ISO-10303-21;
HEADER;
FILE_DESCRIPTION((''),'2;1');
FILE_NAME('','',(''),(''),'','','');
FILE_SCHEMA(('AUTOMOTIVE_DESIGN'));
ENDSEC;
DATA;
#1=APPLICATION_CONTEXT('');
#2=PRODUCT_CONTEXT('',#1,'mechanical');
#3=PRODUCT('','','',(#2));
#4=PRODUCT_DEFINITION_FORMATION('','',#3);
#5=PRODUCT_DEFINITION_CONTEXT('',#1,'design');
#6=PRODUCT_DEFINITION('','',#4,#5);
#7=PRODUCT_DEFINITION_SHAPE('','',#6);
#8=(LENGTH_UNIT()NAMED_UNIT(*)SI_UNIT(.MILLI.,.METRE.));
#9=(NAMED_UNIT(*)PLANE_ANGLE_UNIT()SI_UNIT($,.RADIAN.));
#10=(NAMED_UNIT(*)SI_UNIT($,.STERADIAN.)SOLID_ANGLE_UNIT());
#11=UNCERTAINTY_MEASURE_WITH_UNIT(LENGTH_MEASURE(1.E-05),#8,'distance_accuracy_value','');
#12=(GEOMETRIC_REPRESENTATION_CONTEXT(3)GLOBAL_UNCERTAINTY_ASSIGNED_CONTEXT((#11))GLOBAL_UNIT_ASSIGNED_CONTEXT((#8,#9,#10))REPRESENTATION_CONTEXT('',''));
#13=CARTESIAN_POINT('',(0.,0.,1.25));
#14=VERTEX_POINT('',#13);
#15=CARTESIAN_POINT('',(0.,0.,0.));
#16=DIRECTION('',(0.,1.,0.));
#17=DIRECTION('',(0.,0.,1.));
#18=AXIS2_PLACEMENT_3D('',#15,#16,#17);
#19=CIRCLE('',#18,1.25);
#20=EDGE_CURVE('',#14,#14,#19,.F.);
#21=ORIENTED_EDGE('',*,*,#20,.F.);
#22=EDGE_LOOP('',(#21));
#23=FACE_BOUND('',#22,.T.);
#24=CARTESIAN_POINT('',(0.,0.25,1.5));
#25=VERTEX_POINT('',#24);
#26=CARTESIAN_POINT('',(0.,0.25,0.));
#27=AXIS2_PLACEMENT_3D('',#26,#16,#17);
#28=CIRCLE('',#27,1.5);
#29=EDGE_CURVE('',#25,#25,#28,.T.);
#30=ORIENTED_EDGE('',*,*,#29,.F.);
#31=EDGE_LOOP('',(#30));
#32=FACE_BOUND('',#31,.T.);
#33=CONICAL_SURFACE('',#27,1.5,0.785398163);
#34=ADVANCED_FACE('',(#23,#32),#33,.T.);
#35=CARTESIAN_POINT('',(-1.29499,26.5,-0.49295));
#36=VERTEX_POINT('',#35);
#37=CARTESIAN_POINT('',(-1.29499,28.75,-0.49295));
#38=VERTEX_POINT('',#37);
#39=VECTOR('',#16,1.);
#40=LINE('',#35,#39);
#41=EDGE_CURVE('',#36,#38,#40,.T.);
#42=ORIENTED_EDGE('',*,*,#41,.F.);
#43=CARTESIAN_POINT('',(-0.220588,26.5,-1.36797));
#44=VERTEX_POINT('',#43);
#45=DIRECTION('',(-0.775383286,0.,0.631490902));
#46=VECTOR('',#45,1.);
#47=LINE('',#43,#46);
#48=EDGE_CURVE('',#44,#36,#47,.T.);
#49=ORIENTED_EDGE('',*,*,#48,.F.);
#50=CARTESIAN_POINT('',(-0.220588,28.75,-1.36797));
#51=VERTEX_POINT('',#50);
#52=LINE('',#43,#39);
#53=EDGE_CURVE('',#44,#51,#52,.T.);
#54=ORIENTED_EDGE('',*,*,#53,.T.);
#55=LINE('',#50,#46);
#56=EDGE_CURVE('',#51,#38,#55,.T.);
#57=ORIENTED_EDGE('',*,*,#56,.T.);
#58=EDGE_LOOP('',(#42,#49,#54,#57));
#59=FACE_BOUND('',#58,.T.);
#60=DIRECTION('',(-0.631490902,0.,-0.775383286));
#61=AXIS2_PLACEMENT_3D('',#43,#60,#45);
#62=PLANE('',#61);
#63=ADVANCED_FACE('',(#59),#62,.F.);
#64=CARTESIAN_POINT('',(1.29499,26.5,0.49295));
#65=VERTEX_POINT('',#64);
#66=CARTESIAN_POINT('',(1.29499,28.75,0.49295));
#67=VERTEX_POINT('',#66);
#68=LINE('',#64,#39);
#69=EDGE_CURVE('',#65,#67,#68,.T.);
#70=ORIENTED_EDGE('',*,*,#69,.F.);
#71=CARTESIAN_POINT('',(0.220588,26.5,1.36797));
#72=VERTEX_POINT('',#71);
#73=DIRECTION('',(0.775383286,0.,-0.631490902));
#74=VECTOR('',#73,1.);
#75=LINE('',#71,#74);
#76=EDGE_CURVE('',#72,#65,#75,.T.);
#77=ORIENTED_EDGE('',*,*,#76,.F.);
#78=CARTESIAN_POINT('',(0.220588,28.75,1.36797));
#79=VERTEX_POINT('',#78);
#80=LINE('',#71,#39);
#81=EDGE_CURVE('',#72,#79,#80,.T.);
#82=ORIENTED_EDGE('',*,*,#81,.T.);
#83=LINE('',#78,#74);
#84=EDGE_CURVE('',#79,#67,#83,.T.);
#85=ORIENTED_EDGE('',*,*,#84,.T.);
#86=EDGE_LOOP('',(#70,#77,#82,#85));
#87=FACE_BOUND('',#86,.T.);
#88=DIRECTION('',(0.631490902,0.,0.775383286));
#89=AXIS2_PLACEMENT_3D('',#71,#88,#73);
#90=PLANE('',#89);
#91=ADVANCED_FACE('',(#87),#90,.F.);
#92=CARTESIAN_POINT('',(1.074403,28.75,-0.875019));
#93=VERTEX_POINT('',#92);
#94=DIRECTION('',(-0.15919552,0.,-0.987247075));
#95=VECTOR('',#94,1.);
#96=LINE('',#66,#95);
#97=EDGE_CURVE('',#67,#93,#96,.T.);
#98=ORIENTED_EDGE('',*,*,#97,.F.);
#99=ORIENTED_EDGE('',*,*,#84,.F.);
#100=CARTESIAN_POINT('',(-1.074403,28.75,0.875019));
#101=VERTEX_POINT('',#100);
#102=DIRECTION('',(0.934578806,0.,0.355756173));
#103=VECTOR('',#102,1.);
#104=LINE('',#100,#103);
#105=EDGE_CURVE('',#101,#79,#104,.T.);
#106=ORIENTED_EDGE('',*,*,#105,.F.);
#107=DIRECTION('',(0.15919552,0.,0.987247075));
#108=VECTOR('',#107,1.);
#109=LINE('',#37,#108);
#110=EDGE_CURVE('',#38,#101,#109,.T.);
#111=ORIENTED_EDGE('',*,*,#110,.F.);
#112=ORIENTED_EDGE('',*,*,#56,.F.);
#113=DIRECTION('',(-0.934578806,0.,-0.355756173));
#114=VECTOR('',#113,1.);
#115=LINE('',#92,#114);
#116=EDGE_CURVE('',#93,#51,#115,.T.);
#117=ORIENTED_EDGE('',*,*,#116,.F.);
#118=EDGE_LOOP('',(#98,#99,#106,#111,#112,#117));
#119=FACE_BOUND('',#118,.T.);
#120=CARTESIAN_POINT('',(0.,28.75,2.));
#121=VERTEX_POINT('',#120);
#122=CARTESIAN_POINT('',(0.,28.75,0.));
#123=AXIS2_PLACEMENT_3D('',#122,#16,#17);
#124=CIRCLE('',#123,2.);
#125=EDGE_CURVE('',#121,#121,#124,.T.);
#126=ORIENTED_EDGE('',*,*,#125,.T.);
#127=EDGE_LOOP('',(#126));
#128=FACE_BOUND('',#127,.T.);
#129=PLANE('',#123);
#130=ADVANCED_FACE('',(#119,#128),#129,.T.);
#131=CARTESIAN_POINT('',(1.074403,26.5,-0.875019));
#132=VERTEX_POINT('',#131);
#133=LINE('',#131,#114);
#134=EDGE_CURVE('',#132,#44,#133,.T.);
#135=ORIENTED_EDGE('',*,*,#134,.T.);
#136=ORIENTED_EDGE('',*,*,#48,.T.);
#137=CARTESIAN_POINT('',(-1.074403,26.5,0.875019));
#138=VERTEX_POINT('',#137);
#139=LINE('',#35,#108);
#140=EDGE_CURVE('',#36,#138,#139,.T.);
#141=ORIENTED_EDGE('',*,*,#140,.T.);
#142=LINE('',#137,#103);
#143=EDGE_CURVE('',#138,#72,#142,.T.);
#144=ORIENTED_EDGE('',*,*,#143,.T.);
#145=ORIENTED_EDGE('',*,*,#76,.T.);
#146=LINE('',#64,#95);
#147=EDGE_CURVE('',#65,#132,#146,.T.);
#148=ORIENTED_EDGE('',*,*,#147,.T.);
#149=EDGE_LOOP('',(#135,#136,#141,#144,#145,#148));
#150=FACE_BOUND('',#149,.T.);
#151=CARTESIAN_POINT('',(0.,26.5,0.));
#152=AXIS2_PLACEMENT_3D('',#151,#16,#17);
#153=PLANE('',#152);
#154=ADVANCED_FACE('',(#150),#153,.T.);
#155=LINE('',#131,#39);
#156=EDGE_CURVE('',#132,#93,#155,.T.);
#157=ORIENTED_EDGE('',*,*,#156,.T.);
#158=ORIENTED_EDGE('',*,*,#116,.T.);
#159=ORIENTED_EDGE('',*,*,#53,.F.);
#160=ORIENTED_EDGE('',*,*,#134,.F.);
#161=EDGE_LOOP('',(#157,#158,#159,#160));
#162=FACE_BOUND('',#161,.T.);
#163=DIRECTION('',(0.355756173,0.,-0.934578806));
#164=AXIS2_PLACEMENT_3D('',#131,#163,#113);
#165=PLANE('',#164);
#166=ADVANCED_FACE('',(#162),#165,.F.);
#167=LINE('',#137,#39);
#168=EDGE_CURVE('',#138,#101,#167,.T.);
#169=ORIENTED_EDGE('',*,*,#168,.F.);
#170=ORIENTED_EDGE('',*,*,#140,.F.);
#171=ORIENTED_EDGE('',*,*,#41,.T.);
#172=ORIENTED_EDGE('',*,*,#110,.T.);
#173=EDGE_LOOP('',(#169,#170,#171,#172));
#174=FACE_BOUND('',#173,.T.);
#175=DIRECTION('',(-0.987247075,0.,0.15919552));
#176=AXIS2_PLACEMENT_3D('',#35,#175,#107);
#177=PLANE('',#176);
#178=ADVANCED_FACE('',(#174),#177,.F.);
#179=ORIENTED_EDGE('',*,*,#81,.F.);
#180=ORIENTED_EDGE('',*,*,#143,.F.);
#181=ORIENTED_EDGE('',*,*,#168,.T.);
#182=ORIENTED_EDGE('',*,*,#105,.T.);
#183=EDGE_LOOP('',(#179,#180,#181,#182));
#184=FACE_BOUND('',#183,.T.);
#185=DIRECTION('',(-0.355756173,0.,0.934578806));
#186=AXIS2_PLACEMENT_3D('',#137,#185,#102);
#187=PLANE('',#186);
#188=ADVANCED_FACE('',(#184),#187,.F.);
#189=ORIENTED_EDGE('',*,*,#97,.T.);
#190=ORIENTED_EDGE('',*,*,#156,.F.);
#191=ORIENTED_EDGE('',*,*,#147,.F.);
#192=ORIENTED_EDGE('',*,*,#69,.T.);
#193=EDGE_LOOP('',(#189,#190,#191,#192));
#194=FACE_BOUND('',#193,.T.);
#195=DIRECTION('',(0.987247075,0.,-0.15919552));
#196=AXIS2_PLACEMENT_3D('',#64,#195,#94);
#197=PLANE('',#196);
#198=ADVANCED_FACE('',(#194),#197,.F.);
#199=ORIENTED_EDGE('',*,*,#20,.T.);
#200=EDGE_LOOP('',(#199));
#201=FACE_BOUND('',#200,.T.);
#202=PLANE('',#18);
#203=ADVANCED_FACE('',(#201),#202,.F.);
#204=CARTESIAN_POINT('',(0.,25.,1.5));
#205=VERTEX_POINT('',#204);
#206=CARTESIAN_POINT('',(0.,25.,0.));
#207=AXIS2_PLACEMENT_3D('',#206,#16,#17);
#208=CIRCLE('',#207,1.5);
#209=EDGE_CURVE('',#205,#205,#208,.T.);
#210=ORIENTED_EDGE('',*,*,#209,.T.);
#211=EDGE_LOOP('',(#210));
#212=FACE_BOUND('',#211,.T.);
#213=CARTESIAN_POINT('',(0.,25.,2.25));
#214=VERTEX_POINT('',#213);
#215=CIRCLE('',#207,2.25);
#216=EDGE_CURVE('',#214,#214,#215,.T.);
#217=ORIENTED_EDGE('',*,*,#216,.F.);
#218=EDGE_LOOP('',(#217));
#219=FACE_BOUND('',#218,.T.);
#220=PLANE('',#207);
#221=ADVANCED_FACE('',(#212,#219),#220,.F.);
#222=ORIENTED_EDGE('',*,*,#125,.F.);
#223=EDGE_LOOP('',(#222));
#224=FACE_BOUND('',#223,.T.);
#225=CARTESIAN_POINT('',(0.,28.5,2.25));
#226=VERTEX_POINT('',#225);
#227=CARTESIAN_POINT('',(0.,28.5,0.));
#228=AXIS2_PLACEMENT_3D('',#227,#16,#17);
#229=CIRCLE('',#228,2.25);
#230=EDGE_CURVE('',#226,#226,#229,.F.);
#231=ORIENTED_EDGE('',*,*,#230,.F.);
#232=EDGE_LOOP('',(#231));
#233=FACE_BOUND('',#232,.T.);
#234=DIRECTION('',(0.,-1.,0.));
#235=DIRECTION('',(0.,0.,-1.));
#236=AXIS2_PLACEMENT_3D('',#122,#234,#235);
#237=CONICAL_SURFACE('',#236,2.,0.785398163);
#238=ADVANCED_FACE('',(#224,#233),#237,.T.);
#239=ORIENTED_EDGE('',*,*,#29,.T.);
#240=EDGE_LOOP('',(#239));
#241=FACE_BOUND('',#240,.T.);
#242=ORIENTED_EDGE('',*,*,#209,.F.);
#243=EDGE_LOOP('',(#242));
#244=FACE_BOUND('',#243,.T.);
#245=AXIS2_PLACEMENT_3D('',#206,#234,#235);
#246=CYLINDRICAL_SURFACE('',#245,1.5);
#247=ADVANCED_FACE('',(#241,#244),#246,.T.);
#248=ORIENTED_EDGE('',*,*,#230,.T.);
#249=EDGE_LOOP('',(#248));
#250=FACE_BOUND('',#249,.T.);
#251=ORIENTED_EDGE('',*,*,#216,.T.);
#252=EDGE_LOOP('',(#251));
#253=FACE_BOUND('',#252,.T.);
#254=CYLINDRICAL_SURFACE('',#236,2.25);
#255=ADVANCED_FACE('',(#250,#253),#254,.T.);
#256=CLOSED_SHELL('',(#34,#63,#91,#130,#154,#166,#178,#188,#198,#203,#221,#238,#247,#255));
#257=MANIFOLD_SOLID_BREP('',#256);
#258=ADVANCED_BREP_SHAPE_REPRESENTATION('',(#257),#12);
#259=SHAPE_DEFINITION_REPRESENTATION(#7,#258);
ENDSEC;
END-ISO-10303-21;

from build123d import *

# Parameters (mm, degrees)
SKICA1_R                 = 1.5
P_IDAT_VYSUNUT_M1_DEPTH  = 25
SKICA2_R                 = 2.25
P_IDAT_VYSUNUT_M2_DEPTH  = 3.75
ODEBRAT_VYSUNUT_M1_DEPTH = 2.25
ZKOSEN_1_SIZE            = 0.25
ZKOSEN_2_SIZE            = 0.25


with BuildPart() as part:
    # Skica1 → Přidat vysunutím1 (new body)
    with BuildSketch(Plane(origin=(0, 0, 0), x_dir=(1, 0, 0), z_dir=(0, 1, 0))):
        with Locations(Location((0, 0, 0), (0, 0, 270))):
            Circle(SKICA1_R)
    extrude(amount=P_IDAT_VYSUNUT_M1_DEPTH)

    # Skica2 → Přidat vysunutím2 (add)
    with BuildSketch(Plane(origin=(0, 25, 0), x_dir=(1, 0, 0), z_dir=(0, 1, 0))):
        with Locations(Location((0, 0, 0), (0, 0, 270))):
            Circle(SKICA2_R)
    extrude(amount=P_IDAT_VYSUNUT_M2_DEPTH)

    # Skica3 → Odebrat vysunutím1 (cut)
    with BuildSketch(Plane(origin=(0, 28.75, 0), x_dir=(1, 0, 0), z_dir=(0, 1, 0))):
        Polygon((-1.074402598, -0.875019461), (0.220587783, -1.367969674), (1.294990381, -0.492950213), (1.074402598, 0.875019461), (-0.220587783, 1.367969674), (-1.294990381, 0.492950213), align=None)
    extrude(amount=-ODEBRAT_VYSUNUT_M1_DEPTH, mode=Mode.SUBTRACT)

    # Zkosení1
    zkosen_1_edges = [part.edges().sort_by_distance(p)[0] for p in [
        (0, 28.75, -2.25),
    ]]
    chamfer(zkosen_1_edges, length=ZKOSEN_1_SIZE)

    # Zkosení2
    zkosen_2_edges = [part.edges().sort_by_distance(p)[0] for p in [
        (0, 0, -1.5),
    ]]
    chamfer(zkosen_2_edges, length=ZKOSEN_2_SIZE)


solid = part.part
